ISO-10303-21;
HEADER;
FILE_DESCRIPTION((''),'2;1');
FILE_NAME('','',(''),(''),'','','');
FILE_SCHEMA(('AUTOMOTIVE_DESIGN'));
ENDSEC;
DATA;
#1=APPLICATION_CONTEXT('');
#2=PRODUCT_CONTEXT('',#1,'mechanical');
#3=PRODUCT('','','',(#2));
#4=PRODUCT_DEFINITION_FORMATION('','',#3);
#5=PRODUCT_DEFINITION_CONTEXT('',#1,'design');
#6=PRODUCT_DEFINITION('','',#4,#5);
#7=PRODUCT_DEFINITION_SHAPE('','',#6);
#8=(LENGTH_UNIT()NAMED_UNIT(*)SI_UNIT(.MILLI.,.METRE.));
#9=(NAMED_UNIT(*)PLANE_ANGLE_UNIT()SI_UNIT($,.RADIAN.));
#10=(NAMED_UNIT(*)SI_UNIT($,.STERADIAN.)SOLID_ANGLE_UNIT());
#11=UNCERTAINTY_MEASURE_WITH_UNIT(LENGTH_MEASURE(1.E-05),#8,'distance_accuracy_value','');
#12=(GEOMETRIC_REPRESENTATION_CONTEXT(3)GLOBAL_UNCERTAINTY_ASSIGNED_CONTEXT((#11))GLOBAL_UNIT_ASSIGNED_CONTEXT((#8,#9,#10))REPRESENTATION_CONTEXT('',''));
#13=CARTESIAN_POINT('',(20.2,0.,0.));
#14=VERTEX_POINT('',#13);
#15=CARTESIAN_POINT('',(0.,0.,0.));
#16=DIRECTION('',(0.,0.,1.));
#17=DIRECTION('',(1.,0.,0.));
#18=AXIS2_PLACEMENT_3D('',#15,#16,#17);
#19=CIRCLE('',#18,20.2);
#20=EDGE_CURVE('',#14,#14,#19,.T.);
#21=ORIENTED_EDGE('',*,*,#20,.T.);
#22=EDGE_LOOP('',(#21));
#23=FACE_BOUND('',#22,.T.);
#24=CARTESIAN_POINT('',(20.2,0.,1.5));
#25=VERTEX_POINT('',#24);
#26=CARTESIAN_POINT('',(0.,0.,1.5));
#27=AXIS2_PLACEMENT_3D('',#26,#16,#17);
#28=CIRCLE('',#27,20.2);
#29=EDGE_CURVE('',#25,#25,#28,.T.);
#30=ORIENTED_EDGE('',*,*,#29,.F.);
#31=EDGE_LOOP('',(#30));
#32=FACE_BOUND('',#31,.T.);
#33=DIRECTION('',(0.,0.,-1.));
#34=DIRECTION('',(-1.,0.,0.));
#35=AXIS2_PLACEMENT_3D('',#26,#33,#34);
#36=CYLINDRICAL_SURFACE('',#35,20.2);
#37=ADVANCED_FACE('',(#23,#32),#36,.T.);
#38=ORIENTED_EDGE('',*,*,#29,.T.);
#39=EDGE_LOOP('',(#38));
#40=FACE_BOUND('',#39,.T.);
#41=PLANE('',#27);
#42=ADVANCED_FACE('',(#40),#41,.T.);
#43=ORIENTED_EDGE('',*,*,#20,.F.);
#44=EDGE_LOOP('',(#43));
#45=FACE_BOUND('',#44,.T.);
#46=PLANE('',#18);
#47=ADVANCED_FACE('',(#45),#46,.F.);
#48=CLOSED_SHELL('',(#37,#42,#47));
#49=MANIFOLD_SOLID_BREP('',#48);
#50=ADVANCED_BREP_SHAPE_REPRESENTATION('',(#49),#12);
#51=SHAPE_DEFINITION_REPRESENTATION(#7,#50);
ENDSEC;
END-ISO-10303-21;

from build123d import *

# Parameters (mm, degrees)
SKETCH_1_R      = 20.2
EXTRUDE_1_DEPTH = 1.5


with BuildPart() as part:
    # 草图1 → 凸台-拉伸1 (new body)
    with BuildSketch(Plane.XY):
        Circle(SKETCH_1_R)
    extrude(amount=EXTRUDE_1_DEPTH)


solid = part.part
